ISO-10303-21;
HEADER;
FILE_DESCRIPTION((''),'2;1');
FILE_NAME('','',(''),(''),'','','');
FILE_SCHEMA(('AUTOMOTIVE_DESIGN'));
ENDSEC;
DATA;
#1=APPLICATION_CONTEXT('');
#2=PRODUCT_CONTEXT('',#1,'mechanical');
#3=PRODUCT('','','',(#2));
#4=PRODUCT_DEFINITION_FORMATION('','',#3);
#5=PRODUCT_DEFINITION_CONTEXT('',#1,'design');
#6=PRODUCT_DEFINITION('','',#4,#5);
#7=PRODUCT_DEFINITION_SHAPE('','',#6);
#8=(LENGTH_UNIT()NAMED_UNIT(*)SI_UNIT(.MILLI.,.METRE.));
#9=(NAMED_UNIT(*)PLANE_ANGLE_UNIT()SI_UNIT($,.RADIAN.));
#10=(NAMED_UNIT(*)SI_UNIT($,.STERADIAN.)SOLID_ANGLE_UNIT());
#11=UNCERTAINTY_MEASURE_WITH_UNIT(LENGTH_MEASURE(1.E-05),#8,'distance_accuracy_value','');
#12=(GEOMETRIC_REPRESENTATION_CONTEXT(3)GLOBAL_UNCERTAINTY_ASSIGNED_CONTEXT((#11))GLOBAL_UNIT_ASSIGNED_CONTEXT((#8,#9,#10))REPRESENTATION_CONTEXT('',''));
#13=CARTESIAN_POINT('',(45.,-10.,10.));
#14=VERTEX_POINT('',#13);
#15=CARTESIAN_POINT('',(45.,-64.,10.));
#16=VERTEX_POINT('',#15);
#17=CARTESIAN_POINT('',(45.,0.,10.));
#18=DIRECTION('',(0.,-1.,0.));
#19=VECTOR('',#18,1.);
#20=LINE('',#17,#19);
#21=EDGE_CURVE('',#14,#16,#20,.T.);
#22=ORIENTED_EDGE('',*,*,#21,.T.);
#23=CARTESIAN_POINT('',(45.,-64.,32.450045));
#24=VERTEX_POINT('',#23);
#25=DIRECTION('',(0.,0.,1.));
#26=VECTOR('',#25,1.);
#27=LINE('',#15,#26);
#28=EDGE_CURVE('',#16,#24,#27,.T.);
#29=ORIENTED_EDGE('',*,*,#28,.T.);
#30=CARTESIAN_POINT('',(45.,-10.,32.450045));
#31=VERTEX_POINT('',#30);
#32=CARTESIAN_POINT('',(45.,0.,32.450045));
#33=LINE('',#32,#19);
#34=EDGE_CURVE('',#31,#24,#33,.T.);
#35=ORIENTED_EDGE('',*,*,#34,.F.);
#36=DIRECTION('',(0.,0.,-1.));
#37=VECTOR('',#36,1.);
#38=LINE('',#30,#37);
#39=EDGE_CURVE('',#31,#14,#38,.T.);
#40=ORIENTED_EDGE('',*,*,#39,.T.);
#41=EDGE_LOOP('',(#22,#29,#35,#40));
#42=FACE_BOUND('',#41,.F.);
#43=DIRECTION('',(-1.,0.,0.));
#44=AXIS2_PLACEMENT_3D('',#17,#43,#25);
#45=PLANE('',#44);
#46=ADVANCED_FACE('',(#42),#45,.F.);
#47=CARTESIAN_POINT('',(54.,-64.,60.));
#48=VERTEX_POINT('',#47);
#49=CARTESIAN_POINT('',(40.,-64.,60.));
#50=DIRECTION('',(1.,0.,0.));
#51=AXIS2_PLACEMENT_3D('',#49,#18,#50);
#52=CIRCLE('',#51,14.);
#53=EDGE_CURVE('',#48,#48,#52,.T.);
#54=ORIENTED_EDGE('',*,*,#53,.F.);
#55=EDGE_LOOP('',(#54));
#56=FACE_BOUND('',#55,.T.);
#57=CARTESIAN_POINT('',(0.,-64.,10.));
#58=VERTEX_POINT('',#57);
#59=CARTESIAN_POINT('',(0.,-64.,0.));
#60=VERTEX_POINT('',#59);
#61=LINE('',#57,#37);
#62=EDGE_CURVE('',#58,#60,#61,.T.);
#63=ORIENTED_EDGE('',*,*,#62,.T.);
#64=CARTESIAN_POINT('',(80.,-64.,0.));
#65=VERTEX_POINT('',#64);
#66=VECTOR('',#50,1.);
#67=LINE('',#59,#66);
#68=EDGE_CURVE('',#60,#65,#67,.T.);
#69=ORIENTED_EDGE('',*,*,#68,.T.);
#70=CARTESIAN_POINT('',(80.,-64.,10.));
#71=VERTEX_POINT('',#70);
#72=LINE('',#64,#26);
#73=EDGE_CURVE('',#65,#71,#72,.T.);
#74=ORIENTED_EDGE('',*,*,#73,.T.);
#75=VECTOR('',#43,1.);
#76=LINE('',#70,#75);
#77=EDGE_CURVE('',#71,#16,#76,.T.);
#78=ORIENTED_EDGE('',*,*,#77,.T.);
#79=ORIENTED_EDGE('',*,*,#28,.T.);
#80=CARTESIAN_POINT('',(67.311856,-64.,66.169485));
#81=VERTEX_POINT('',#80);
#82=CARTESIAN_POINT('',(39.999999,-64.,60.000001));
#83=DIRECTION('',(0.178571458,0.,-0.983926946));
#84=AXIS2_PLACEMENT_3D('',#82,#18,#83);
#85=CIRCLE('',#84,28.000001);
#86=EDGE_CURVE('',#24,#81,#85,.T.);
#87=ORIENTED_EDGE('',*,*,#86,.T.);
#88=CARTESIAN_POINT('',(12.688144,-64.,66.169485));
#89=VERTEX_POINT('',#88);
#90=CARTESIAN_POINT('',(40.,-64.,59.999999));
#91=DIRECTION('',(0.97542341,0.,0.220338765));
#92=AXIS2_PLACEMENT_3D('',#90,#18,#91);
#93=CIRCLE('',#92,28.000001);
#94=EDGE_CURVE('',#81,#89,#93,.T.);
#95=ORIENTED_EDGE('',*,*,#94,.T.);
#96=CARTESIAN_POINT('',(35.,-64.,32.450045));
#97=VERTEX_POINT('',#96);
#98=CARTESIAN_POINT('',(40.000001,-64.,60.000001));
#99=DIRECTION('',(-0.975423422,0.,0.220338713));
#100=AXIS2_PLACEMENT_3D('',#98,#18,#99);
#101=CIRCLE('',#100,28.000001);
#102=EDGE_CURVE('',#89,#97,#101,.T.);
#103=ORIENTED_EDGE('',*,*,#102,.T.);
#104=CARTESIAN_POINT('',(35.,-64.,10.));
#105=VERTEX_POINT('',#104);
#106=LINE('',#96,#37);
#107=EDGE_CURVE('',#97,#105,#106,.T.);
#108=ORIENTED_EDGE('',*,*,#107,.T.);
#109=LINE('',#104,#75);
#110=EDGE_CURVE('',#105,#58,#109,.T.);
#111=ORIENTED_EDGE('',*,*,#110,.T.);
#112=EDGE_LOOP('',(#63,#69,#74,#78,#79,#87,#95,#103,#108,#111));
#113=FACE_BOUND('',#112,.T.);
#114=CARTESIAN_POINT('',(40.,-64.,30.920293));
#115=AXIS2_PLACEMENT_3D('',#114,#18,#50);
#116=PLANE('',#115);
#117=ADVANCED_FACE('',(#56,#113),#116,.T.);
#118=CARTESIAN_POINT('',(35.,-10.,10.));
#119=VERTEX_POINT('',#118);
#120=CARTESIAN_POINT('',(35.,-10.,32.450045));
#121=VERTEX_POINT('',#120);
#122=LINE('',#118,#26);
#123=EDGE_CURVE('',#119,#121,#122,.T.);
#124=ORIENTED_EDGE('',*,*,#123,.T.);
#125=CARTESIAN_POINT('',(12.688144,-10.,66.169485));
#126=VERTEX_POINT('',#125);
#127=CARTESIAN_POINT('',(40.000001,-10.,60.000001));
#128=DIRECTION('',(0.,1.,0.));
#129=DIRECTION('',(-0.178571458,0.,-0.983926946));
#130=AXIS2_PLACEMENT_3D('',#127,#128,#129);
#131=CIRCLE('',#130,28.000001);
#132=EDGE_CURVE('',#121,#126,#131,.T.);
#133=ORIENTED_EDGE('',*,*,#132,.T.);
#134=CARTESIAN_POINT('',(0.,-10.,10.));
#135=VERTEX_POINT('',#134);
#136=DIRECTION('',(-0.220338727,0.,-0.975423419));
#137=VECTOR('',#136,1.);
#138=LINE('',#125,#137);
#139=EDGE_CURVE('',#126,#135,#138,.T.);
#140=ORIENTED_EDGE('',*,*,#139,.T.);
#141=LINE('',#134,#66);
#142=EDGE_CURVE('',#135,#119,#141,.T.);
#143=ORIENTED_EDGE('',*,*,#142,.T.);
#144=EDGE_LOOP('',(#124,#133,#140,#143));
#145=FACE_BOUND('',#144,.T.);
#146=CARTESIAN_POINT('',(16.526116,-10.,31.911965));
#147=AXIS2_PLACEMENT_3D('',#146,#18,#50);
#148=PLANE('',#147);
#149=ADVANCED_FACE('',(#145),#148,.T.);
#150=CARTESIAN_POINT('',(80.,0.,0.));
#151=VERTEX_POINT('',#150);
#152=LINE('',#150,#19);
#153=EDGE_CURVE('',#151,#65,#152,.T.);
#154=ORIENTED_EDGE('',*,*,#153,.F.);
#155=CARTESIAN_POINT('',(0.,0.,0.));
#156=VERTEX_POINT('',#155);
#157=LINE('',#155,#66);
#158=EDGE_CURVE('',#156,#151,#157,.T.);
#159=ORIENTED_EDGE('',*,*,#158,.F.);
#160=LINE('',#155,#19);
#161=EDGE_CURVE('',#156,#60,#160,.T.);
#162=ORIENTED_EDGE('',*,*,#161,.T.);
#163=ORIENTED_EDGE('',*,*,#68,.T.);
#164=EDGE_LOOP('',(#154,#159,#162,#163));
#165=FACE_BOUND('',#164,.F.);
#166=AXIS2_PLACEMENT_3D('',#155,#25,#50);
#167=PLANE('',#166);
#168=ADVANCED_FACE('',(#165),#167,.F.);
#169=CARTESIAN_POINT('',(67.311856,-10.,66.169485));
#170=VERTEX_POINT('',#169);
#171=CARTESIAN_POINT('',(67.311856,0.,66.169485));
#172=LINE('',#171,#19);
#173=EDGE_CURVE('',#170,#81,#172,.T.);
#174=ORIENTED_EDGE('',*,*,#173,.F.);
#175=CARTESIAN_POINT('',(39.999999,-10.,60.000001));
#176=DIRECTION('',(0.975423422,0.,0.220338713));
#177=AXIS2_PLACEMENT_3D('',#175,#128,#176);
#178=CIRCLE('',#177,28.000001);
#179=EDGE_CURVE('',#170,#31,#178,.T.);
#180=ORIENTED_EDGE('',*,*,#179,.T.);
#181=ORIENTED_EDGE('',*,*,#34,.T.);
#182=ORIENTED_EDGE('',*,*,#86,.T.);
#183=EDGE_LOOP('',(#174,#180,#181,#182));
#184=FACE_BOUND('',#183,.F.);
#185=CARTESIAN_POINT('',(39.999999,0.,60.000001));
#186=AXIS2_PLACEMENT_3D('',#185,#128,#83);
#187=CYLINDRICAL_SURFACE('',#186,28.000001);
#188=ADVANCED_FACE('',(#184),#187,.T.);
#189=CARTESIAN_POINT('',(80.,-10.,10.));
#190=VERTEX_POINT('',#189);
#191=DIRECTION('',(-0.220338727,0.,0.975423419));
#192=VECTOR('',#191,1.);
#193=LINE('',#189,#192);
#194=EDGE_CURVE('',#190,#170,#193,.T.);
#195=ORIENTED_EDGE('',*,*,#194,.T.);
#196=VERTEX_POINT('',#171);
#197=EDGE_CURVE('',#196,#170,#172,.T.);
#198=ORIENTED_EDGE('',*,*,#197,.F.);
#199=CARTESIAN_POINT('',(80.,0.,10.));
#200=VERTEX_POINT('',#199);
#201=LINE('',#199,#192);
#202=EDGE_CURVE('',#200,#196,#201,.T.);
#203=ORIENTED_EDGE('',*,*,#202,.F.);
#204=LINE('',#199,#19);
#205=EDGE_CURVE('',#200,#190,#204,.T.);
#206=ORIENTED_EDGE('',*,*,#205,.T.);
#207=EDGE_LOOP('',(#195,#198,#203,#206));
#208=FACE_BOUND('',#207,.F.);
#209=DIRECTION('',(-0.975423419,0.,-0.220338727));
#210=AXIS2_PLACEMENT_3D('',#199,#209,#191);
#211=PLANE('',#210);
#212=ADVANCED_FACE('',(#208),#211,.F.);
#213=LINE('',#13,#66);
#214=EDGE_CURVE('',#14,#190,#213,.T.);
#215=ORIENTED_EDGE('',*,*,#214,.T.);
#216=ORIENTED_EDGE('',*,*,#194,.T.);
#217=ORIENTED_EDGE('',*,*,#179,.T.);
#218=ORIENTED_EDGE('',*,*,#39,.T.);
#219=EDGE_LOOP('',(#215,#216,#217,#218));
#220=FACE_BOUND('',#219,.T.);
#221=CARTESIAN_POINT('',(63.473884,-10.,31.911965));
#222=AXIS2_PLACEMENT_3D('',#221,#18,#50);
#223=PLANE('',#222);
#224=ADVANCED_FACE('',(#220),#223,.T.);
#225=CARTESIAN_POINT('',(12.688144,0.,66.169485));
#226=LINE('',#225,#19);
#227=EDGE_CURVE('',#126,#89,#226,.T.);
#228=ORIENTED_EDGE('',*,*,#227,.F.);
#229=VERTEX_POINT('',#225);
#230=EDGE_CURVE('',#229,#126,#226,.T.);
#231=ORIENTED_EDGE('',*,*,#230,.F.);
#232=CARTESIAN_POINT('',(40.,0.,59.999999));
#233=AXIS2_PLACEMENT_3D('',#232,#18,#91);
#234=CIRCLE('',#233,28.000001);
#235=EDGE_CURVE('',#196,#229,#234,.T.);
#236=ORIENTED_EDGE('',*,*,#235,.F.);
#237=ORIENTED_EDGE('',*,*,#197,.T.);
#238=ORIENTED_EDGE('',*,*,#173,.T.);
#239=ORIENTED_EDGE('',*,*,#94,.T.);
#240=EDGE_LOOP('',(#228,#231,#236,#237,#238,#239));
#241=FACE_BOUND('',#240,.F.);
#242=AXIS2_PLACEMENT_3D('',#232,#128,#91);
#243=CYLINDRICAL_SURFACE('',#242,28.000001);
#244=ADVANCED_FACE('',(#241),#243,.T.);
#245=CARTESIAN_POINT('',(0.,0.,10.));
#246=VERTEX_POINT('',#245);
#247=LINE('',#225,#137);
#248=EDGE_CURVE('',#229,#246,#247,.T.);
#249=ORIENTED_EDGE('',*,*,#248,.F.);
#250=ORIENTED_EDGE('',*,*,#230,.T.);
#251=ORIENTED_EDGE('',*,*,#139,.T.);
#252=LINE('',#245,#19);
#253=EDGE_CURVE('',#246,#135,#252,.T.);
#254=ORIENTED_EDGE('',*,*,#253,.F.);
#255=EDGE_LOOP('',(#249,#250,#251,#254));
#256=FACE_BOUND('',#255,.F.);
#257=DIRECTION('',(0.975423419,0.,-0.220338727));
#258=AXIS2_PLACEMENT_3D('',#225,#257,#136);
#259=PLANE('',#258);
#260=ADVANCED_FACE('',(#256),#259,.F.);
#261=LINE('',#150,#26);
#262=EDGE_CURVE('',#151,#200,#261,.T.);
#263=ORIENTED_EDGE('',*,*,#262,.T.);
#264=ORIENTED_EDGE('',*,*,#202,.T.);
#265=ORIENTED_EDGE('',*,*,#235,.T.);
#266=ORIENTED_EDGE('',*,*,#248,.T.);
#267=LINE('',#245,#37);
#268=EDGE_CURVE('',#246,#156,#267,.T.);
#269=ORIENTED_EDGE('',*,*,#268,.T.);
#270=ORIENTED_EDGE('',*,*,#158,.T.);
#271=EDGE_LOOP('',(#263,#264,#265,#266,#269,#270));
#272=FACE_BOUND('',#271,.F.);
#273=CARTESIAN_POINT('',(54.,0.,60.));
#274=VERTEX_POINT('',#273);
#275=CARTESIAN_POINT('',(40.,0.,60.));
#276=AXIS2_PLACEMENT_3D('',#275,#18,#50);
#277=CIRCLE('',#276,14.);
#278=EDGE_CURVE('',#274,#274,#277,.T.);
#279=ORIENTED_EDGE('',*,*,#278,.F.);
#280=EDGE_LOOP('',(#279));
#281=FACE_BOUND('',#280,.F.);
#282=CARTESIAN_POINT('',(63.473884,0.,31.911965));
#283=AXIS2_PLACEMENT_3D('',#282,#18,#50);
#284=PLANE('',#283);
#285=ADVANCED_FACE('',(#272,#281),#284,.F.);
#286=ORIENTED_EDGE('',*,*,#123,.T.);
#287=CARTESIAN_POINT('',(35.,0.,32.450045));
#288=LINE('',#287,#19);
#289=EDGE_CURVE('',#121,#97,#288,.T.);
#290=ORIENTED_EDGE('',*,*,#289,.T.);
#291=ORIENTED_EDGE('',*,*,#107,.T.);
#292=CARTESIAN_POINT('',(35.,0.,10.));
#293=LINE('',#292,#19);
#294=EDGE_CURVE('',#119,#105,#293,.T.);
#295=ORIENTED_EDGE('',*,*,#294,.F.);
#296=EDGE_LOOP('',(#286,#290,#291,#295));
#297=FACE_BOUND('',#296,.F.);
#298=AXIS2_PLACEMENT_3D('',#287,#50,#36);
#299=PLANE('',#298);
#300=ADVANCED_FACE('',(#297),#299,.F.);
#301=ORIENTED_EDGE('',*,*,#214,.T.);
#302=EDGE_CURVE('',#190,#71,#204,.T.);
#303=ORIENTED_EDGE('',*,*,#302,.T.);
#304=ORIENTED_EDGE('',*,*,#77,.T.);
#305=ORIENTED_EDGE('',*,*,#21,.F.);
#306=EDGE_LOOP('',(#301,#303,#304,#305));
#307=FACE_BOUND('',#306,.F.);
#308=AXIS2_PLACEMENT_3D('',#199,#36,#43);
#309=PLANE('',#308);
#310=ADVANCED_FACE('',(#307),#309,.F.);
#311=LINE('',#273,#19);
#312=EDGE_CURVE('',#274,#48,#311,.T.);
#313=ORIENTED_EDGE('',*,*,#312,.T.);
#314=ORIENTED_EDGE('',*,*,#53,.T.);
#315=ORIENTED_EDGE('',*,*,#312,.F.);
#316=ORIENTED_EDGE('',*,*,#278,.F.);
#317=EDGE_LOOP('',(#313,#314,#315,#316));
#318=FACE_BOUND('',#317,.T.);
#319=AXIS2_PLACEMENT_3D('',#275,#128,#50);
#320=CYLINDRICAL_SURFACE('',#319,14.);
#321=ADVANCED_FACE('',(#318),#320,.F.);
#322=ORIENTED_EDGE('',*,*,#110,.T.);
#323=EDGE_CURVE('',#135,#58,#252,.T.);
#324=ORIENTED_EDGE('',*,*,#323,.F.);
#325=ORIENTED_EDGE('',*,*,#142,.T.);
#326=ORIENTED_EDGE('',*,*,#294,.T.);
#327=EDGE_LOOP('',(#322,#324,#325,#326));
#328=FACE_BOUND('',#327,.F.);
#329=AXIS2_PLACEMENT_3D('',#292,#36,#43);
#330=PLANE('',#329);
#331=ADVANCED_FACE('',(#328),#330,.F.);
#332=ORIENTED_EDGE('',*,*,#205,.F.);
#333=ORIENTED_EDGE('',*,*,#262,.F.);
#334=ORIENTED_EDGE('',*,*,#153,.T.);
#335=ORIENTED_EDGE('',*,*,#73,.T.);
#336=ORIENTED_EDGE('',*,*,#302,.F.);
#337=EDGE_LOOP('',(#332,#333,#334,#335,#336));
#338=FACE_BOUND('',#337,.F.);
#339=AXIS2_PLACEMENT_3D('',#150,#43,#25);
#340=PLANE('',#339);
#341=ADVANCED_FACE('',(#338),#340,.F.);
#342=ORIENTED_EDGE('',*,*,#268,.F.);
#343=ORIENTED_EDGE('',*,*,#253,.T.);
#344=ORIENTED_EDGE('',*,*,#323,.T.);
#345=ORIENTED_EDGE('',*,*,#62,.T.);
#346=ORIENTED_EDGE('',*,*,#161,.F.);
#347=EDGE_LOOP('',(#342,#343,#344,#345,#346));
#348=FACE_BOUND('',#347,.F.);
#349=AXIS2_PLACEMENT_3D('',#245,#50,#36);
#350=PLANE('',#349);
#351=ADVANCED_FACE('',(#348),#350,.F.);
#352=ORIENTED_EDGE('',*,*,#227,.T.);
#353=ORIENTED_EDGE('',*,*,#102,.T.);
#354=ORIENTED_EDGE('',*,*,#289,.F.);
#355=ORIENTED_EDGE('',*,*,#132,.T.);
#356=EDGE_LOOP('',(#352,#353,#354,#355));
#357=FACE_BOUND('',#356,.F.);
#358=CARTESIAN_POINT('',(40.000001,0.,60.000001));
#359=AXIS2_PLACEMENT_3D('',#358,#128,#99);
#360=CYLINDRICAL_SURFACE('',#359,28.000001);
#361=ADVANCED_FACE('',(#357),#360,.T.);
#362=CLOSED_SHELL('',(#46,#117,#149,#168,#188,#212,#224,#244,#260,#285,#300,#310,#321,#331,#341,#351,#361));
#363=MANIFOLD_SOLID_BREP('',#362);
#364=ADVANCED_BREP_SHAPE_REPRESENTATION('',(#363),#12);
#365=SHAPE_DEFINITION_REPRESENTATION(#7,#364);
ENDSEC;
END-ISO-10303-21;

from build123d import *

# Parameters (mm, degrees)
F0_R     = 14
F1_DEPTH = 64
F2_DEPTH = 10


with BuildPart() as f1:
    # F0 (on Front) → F1 (new body)
    with BuildSketch(Plane.XZ):
        with BuildLine():
            Line((0, 10), (0, 0))
            Line((0, 0), (80, 0))
            Line((80, 0), (80, 10))
            Line((80, 10), (45, 10))
            Line((45, 10), (45, 32.450045))
            ThreePointArc((45, 32.450045), (63.350892, 44.548921), (67.311856, 66.169485))
            ThreePointArc((67.311856, 66.169485), (40, 88), (12.688144, 66.169485))
            ThreePointArc((12.688144, 66.169485), (16.649108, 44.548921), (35, 32.450045))
            Line((35, 32.450045), (35, 10))
            Line((35, 10), (0, 10))
        make_face()
        with Locations((40, 60)):
            Circle(F0_R, mode=Mode.SUBTRACT)
    extrude(amount=F1_DEPTH)

    # F0 (on Front) → F2 (join)
    with BuildSketch(Plane.XZ):
        with BuildLine():
            Line((45, 10), (80, 10))
            Line((80, 10), (67.311856, 66.169485))
            ThreePointArc((67.311856, 66.169485), (63.350892, 44.548921), (45, 32.450045))
            Line((45, 32.450045), (45, 10))
        make_face()
        with BuildLine():
            Line((12.688144, 66.169485), (0, 10))
            Line((0, 10), (35, 10))
            Line((35, 10), (35, 32.450045))
            ThreePointArc((35, 32.450045), (16.649108, 44.548921), (12.688144, 66.169485))
        make_face()
    extrude(amount=F2_DEPTH)


solid = f1.part
